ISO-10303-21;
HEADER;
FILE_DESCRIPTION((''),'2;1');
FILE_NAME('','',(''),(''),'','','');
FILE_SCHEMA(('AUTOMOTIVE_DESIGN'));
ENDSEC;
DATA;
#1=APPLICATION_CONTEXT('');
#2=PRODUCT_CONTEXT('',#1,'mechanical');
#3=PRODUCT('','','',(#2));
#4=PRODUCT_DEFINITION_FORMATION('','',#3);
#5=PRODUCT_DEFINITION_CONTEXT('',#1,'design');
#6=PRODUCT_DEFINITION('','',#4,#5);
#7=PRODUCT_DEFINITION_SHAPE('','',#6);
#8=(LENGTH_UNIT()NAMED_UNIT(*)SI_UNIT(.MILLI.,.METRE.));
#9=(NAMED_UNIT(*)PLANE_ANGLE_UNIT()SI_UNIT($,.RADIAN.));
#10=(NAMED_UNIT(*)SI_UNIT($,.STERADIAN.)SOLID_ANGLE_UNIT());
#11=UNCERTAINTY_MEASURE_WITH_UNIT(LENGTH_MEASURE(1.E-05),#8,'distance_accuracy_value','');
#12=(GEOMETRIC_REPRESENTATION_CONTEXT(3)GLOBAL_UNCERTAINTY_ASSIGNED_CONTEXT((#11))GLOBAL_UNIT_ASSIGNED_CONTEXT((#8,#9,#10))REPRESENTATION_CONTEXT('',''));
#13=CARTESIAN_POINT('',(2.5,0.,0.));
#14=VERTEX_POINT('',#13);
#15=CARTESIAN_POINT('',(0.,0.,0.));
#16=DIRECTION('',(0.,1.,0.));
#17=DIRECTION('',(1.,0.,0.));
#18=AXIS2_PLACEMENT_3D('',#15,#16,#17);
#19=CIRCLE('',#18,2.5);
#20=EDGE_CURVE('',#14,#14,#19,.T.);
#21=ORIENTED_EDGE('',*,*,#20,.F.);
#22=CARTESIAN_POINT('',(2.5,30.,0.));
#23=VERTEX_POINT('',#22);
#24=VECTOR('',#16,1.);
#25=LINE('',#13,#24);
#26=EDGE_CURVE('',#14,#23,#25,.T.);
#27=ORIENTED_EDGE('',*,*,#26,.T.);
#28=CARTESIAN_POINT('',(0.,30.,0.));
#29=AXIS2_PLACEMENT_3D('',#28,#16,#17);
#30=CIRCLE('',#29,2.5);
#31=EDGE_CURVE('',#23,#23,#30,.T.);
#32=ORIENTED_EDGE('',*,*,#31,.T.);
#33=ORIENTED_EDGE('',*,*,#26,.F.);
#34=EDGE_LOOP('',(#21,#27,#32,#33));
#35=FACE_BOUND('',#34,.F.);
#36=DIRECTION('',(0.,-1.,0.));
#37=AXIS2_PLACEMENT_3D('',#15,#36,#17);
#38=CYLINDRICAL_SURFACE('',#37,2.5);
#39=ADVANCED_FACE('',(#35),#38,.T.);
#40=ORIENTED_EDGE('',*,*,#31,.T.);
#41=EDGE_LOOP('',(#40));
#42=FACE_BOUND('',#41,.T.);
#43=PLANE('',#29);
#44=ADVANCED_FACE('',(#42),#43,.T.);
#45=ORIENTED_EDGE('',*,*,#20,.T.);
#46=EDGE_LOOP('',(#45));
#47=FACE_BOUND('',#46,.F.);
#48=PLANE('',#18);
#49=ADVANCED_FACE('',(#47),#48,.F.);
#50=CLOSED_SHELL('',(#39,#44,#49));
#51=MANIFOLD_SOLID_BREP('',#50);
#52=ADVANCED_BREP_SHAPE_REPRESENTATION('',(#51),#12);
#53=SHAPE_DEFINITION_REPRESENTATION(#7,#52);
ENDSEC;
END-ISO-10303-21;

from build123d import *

# Parameters (mm, degrees)
SKETCH_1_R      = 2.5
EXTRUDE_1_DEPTH = 30


with BuildPart() as part:
    # Эскиз1 → Бобышка-Вытянуть1 (new body)
    with BuildSketch(Plane(origin=(0, 0, 0), x_dir=(1, 0, 0), z_dir=(0, 1, 0))):
        Circle(SKETCH_1_R)
    extrude(amount=EXTRUDE_1_DEPTH)


solid = part.part
